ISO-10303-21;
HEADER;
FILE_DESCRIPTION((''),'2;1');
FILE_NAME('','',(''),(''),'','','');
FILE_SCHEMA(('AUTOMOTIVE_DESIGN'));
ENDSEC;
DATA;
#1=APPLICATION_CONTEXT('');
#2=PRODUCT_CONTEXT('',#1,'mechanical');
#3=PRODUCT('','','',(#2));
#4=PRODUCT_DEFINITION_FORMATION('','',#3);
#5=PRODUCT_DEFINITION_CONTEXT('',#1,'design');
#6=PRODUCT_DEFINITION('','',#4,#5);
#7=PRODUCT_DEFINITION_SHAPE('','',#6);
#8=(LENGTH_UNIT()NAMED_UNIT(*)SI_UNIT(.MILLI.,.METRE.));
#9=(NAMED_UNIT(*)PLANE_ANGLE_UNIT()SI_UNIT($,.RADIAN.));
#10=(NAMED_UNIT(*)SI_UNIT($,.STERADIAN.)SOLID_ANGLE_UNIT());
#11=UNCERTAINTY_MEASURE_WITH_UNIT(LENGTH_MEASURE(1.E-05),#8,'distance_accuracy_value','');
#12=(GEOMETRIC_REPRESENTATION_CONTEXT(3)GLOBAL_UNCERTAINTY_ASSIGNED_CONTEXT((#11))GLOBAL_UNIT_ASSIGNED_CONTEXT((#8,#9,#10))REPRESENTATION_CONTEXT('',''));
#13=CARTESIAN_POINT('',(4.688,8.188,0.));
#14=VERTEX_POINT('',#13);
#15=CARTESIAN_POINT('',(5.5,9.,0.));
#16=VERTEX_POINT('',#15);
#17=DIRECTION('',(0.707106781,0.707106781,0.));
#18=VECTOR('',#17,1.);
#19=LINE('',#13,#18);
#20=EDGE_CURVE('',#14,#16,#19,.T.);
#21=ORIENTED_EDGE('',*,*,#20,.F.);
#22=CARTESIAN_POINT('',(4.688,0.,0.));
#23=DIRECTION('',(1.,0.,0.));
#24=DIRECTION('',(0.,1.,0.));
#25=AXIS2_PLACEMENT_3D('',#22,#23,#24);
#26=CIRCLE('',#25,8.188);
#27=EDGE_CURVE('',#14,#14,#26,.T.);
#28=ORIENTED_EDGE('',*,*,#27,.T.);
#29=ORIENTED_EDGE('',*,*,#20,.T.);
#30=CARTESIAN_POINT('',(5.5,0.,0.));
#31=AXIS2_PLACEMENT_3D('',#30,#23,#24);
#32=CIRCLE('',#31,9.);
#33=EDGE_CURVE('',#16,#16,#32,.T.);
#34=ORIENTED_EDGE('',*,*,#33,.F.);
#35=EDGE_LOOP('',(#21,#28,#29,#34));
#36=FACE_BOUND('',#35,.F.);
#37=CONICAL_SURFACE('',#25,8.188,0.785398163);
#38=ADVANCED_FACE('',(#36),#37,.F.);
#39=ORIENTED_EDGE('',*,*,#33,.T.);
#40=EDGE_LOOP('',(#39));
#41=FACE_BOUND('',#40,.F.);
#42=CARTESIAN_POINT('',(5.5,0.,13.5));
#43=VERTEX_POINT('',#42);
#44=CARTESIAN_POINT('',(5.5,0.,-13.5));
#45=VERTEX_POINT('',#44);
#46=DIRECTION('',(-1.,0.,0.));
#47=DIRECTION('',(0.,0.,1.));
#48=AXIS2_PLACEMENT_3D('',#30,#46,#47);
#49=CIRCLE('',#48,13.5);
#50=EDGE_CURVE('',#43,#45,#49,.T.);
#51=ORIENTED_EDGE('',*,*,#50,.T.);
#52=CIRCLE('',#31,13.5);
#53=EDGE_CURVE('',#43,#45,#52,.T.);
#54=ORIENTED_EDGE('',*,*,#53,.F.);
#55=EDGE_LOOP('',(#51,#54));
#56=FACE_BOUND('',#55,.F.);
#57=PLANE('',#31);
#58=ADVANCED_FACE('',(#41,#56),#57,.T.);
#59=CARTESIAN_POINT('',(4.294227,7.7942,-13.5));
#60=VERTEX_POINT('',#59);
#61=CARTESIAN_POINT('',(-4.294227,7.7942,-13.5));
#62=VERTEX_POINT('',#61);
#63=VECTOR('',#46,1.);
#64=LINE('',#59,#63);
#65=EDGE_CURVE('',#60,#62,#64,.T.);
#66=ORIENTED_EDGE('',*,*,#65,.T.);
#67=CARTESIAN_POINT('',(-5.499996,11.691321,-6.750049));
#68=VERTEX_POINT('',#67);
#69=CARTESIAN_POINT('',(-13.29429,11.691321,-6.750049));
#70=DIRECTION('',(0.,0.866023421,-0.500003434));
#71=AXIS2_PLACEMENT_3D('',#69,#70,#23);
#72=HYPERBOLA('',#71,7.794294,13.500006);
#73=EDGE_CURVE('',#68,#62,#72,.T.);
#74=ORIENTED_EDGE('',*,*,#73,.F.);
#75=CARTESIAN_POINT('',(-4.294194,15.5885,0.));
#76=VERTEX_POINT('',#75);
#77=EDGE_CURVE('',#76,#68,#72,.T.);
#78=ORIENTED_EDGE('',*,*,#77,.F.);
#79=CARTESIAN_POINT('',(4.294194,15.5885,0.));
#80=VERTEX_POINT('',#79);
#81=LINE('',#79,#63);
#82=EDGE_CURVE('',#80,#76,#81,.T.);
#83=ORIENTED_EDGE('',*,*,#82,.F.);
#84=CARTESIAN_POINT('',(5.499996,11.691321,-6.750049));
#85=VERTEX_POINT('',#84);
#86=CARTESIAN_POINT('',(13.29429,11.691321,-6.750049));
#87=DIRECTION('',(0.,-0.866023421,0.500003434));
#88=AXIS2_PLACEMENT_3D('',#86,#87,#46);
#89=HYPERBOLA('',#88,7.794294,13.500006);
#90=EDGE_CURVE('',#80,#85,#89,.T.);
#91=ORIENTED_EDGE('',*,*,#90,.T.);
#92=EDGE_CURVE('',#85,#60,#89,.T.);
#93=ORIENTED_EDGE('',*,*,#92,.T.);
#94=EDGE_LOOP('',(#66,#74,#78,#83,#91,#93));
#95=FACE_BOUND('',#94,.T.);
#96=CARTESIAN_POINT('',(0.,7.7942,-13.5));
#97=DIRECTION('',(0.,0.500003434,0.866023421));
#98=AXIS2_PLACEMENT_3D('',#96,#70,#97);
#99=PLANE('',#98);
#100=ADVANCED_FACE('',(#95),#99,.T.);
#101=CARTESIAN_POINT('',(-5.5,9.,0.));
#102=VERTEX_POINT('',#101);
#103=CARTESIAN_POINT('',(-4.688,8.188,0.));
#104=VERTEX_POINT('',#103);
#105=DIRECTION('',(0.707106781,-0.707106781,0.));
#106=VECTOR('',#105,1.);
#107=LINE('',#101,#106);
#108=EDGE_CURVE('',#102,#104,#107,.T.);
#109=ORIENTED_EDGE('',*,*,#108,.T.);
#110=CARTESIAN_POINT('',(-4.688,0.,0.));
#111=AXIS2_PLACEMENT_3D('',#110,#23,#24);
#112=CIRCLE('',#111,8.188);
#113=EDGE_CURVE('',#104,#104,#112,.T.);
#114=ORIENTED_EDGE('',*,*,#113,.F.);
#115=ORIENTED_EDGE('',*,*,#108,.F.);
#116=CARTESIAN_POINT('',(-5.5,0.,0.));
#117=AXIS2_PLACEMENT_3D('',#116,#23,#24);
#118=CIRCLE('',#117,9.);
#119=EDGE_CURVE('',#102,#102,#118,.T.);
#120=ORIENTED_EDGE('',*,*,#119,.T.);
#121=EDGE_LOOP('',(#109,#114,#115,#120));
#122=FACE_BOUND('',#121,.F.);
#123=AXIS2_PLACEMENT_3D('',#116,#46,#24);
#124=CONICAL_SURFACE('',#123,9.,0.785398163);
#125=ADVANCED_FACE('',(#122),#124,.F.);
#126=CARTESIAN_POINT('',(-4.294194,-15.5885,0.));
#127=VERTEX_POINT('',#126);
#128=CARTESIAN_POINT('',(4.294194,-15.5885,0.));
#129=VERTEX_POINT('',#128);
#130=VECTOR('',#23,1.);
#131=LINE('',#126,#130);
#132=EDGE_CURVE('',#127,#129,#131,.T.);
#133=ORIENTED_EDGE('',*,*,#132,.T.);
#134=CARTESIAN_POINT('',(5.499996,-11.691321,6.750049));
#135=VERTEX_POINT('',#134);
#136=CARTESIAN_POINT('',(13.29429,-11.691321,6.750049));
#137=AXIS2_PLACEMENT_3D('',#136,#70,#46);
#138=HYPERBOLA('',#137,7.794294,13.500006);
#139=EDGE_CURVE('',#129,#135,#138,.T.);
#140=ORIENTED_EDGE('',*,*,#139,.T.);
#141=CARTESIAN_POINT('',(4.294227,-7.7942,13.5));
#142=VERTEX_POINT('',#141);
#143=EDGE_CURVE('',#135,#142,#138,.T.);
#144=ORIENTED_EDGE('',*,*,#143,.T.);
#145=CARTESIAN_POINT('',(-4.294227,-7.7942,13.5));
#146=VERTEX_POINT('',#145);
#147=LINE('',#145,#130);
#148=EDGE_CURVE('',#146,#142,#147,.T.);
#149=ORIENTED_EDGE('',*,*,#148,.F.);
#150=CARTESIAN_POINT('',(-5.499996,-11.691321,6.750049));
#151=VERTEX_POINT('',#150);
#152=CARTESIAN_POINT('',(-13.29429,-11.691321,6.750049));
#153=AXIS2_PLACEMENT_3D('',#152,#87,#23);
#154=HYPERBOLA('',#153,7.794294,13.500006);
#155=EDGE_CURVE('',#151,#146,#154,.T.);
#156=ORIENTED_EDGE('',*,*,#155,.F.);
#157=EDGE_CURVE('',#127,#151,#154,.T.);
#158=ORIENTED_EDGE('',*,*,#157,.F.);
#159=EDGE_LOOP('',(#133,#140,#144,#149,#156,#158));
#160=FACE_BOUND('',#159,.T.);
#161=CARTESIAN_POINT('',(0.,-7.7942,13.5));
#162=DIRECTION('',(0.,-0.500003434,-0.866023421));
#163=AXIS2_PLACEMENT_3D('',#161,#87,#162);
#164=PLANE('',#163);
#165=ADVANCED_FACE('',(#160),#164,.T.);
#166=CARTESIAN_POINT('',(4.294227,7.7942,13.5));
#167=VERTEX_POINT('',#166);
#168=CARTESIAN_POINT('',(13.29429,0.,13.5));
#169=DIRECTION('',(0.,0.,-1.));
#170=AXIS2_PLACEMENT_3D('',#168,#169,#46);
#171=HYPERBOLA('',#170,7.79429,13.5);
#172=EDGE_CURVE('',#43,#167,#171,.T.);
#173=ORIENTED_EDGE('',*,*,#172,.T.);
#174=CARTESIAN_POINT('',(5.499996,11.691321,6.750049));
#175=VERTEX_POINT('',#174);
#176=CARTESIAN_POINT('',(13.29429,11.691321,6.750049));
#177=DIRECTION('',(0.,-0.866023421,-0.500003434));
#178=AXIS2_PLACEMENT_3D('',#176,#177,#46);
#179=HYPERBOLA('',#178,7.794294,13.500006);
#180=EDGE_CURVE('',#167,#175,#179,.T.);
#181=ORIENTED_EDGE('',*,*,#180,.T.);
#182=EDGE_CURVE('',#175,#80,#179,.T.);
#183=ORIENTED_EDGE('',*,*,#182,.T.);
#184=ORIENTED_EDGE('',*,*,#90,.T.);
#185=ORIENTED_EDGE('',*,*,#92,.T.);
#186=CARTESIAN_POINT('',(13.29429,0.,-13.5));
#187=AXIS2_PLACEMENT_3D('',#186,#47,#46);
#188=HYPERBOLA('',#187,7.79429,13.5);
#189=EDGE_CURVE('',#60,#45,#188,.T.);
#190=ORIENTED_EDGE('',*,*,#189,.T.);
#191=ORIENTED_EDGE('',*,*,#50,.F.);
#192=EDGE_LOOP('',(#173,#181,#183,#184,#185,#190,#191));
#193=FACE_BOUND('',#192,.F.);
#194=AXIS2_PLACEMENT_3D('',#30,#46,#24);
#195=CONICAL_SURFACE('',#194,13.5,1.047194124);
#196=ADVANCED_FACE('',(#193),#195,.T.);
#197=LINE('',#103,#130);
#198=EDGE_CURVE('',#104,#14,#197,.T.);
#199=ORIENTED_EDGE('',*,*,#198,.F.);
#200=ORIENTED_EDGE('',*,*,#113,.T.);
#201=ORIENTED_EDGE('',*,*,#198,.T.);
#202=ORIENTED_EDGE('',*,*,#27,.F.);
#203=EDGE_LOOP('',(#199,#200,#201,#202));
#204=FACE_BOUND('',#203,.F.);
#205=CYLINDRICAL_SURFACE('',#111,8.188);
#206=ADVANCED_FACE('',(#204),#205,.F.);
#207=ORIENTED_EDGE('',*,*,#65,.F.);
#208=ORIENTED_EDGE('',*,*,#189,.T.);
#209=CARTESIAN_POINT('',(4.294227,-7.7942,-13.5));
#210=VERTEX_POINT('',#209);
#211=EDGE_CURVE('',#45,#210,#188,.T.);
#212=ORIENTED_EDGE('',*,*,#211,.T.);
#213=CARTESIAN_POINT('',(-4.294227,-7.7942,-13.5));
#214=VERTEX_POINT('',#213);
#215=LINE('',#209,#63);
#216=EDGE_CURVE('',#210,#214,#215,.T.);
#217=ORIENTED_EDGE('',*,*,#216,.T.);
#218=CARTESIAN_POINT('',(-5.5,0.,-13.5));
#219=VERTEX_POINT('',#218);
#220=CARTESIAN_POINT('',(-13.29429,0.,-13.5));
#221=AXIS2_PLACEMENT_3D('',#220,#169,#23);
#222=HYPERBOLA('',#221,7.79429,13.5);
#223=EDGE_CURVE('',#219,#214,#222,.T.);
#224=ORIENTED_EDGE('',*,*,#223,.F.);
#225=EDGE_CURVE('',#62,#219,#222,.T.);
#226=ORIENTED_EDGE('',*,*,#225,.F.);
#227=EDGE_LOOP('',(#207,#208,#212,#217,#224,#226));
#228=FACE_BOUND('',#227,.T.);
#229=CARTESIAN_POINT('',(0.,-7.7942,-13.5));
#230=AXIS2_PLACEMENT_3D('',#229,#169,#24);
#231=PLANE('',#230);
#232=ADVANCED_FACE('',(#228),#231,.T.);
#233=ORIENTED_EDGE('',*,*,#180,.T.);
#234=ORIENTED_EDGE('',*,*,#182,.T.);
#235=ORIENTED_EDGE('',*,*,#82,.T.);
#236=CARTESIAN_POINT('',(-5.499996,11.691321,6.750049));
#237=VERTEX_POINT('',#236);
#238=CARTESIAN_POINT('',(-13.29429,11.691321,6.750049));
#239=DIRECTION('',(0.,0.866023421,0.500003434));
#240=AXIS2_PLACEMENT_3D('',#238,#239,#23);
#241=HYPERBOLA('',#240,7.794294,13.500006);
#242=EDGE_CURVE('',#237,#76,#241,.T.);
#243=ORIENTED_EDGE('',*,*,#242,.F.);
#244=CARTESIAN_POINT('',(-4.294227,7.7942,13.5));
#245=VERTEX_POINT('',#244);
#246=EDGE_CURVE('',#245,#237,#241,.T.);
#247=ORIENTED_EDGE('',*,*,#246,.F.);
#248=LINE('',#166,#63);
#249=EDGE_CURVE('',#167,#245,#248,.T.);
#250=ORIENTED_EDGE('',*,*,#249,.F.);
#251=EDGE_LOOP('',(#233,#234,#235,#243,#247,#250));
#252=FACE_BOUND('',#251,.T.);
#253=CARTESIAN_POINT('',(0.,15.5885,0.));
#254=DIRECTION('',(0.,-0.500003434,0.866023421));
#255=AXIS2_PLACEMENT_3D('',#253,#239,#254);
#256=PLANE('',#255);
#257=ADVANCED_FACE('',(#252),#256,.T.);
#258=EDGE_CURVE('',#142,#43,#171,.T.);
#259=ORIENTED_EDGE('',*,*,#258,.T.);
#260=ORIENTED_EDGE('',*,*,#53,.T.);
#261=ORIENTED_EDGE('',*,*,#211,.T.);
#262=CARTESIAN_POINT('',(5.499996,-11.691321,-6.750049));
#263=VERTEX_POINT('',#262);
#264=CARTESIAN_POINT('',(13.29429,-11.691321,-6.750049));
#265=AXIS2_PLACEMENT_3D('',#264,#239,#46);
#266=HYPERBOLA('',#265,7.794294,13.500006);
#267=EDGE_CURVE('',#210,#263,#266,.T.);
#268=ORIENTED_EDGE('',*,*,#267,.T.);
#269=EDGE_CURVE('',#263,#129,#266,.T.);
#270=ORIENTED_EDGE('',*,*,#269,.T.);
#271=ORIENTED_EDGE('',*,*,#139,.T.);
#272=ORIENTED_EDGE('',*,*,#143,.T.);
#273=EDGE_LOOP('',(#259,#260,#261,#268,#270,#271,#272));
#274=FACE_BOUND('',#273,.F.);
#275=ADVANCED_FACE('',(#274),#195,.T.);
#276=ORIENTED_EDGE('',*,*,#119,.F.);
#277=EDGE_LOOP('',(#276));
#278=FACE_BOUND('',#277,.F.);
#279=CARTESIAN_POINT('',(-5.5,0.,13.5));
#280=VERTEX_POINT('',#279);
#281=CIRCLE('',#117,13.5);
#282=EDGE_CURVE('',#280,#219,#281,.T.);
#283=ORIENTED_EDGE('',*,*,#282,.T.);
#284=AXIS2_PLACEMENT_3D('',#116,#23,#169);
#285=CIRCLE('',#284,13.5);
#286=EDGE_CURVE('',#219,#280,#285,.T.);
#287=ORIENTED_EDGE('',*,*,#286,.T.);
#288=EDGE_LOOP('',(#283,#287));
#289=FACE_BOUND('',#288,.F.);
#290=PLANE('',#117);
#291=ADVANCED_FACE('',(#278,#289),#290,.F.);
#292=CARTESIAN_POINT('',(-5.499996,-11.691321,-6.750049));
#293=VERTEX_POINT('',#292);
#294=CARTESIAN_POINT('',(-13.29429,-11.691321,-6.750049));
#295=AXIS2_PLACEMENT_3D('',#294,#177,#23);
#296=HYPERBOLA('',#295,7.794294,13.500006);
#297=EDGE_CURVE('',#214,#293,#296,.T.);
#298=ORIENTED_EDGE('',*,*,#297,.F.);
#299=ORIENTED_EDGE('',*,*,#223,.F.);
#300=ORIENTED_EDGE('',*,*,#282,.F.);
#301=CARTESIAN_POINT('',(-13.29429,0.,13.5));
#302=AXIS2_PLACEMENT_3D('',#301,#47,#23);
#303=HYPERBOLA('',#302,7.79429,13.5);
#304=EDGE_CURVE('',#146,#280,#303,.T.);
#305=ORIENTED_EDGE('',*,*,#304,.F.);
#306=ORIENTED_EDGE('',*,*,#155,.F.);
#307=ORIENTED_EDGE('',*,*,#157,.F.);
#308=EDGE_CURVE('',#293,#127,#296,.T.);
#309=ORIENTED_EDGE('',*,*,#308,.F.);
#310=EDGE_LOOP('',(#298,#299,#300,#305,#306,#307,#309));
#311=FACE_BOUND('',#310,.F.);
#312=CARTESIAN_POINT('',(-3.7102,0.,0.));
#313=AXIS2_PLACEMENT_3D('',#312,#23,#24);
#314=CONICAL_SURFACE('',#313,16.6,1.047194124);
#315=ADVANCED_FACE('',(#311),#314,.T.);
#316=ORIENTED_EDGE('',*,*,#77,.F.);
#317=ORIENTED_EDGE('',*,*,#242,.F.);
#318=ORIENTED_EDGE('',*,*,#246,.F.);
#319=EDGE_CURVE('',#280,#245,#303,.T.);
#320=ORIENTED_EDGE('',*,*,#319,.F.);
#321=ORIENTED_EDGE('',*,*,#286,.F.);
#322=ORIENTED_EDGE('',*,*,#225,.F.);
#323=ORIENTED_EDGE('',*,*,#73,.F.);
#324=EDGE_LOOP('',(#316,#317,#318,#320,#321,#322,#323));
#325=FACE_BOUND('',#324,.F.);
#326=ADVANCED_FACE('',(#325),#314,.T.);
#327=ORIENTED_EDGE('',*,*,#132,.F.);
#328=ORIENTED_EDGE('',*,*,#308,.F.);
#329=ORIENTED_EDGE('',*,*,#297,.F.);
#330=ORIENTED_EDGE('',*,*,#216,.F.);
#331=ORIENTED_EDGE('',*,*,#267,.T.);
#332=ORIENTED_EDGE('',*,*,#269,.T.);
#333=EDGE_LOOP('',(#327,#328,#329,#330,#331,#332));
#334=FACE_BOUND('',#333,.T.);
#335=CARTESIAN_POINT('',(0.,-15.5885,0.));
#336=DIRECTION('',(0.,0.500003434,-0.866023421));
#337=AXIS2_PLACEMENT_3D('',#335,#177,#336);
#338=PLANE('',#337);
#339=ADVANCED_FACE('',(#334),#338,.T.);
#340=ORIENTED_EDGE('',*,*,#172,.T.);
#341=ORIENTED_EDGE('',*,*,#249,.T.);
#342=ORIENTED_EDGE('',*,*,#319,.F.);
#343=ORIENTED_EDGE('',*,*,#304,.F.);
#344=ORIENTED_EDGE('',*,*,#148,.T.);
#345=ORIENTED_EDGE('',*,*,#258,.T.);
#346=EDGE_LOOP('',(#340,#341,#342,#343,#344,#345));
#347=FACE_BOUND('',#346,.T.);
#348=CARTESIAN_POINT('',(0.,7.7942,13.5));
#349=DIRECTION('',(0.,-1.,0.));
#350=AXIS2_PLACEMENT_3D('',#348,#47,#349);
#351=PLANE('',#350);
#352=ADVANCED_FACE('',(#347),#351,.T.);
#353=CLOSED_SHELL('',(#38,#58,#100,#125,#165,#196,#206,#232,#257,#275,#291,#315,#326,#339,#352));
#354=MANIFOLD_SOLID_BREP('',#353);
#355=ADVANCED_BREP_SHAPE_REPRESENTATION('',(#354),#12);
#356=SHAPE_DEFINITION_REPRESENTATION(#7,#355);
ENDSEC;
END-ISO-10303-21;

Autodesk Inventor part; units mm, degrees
sketch "Sketch_1" plane through (0, 0, 0) normal (0, 0, 1) x (1, 0, 0)
  line L0 (5.5, 0) -> (-5.5, 0)
  line L1 (-5.5, 13.5) -> (-5.5, 9)
  line L2 (-5.5, 9) -> (-4.688, 8.188)
  line L3 (-4.688, 8.188) -> (4.688, 8.188)
  line L4 (4.688, 8.188) -> (5.5, 9)
  line L5 (5.5, 9) -> (5.5, 13.5)
  line L6 (5.5, 13.5) -> (3.7102, 16.6)
  line L7 (3.7102, 16.6) -> (-3.7102, 16.6)
  line L8 (-3.7102, 16.6) -> (-5.5, 13.5)
revolve "Revolution1" add sketch "Sketch_1" angle 360 about axis through (5.5, 0, 0) along (1, 0, 0)
thread "Thread1" size "M18x1.5" class "6H" standard "ISO Metric profile" full length
sketch "Sketch_2" plane through (0, 0, 0) normal (1, 0, 0) x (0, 1, 0)
  circle A0 centre (0, 0) radius 50
  line L0 (-7.7942, 13.5) -> (-15.5885, 0)
  line L1 (-15.5885, 0) -> (-7.7942, -13.5)
  line L2 (-7.7942, -13.5) -> (7.7942, -13.5)
  line L3 (7.7942, -13.5) -> (15.5885, 0)
  line L4 (15.5885, 0) -> (7.7942, 13.5)
  line L5 (7.7942, 13.5) -> (-7.7942, 13.5)
extrude "Extrusion1" cut sketch "Sketch_2" along normal mid plane 22
ref_plane "B1_XY" through (5.5, 0, 13.5) normal (1, 0, 0) x (0, 0, -1)
ref_plane "B1_YZ" through (5.5, 0, 13.5) normal (0, 0, -1) x (0, 1, 0)
ref_plane "B1_ZX" through (5.5, 0, 13.5) normal (0, 1, 0) x (1, 0, 0)
ref_plane "N_R_XY" through (0, 0, 0) normal (1, 0, 0) x (0, 0, -1)
ref_plane "N_R_YZ" through (0, 0, 0) normal (0, 0, -1) x (0, 1, 0)
ref_plane "N_R_ZX" through (0, 0, 0) normal (0, 1, 0) x (1, 0, 0)
properties part number "NT-05(63)_CE2"
